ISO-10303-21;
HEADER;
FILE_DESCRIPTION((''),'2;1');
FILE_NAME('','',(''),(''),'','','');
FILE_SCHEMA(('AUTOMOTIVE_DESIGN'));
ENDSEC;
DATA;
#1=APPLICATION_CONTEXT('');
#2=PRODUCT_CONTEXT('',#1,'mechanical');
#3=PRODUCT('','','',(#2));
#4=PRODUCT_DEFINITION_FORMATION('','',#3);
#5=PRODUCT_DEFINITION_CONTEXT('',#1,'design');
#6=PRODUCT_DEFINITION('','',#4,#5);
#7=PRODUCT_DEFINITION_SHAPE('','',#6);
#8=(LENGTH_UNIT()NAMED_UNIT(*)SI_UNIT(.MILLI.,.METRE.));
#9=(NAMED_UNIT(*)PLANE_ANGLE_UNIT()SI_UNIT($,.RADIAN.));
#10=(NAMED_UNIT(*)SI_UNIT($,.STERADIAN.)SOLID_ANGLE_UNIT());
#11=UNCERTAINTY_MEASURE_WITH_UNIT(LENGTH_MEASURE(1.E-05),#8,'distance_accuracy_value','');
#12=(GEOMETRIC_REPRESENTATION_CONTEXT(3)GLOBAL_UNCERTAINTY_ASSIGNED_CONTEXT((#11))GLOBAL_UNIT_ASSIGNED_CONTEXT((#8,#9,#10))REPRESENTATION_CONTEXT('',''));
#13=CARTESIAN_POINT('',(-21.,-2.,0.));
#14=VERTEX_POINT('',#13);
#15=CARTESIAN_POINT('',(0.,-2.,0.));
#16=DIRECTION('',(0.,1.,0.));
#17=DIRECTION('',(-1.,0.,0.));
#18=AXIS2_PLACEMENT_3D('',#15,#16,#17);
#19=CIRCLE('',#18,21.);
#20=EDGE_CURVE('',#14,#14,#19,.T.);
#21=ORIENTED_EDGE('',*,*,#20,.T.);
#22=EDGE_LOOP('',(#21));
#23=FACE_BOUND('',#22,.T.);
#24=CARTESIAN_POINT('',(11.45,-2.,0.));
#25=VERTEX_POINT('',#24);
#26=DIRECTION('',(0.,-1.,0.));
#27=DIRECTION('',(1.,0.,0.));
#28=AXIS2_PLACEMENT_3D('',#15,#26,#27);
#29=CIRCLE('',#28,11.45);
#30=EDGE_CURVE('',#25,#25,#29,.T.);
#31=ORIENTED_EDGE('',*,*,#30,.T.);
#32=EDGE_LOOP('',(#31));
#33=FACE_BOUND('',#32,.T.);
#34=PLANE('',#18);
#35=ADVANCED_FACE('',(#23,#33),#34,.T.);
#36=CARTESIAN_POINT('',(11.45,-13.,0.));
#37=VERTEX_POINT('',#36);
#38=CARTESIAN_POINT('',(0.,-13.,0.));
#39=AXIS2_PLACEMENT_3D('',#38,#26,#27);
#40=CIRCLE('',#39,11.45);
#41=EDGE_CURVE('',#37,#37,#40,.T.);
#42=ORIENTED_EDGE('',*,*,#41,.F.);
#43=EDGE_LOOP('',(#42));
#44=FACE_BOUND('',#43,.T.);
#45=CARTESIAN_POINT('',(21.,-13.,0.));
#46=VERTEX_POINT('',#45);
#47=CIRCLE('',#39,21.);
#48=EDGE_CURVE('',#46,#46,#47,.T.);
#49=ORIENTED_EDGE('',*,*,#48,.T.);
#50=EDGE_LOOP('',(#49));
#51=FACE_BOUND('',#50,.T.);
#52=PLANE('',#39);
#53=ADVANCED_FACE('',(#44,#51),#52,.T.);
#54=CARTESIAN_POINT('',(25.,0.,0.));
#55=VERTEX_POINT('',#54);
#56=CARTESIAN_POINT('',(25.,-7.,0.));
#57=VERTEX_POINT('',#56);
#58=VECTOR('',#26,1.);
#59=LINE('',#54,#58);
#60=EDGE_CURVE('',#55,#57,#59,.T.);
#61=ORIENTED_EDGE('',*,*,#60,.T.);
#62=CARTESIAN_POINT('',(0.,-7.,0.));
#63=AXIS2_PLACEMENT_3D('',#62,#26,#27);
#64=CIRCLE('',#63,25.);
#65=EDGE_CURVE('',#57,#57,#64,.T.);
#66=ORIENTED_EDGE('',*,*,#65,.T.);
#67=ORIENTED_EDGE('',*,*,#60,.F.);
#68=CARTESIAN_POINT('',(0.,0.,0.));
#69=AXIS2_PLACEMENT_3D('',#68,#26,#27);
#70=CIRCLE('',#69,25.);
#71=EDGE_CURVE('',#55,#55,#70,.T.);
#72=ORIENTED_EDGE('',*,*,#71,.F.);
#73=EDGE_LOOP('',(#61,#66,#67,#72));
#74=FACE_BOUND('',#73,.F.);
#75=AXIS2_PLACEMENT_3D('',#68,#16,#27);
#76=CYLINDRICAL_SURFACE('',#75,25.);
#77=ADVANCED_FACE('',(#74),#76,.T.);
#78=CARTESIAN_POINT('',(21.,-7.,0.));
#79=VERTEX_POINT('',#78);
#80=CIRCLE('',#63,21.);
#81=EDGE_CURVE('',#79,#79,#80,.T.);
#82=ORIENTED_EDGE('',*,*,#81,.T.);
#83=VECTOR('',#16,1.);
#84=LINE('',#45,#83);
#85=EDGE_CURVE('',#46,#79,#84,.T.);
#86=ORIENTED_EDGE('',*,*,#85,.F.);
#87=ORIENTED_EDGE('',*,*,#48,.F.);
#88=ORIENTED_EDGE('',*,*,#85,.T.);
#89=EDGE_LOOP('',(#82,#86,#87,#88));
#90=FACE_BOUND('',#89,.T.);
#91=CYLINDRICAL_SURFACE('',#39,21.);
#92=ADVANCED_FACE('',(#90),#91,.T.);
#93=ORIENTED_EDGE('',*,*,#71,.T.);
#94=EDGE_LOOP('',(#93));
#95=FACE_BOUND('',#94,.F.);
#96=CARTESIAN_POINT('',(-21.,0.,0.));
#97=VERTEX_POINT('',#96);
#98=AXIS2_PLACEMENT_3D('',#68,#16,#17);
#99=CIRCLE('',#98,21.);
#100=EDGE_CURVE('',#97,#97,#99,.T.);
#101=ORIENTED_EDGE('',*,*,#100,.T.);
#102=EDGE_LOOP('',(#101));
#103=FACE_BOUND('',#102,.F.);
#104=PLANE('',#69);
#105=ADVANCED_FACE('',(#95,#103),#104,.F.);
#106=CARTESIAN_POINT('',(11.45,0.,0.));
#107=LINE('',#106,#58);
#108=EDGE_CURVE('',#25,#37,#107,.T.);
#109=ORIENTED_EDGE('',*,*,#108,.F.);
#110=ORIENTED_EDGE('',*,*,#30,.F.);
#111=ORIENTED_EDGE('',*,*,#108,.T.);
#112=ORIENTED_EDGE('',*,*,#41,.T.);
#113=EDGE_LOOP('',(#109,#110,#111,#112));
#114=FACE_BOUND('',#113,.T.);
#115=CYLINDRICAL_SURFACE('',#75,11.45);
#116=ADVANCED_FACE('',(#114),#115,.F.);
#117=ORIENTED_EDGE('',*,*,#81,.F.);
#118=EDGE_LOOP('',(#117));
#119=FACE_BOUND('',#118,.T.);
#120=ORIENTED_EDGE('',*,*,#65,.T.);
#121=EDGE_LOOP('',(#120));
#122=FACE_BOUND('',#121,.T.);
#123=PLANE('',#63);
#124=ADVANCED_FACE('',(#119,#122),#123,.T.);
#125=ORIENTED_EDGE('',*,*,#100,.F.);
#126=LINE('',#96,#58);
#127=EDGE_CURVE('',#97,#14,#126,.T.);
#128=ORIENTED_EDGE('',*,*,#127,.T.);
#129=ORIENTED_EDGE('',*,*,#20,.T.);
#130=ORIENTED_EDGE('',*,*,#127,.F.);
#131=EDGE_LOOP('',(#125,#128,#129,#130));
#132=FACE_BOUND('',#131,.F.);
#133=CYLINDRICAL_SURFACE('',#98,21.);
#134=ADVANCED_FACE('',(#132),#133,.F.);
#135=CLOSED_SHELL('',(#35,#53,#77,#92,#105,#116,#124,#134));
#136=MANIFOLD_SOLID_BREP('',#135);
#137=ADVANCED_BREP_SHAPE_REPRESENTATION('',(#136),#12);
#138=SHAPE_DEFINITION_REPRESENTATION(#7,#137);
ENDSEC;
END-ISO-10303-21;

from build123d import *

# Parameters (mm, degrees)
F0_R     = 25
F0_R_2   = 11.45
F1_DEPTH = 13
F2_R     = 25
F2_R_2   = 21
F2_R_3   = 11.45
F3_DEPTH = 6
F4_R     = 21
F4_R_2   = 11.45
F5_DEPTH = 2


with BuildPart() as f1:
    # F0 (on Front) → F1 (new body)
    with BuildSketch(Plane.XZ):
        Circle(F0_R)
        Circle(F0_R_2, mode=Mode.SUBTRACT)
    extrude(amount=F1_DEPTH)

    # F2 (on face) → F3 (cut)
    with BuildSketch(Plane.XZ.offset(13)):
        Circle(F2_R)
        Circle(F2_R_2, mode=Mode.SUBTRACT)
        Circle(F2_R_3)
    extrude(amount=-F3_DEPTH, mode=Mode.SUBTRACT)

    # F4 (on face) → F5 (cut)
    with BuildSketch(Plane(origin=(0, 0, 0), x_dir=(-1, 0, 0), z_dir=(0, 1, 0))):
        Circle(F4_R)
        Circle(F4_R_2, mode=Mode.SUBTRACT)
    extrude(amount=-F5_DEPTH, mode=Mode.SUBTRACT)


solid = f1.part
